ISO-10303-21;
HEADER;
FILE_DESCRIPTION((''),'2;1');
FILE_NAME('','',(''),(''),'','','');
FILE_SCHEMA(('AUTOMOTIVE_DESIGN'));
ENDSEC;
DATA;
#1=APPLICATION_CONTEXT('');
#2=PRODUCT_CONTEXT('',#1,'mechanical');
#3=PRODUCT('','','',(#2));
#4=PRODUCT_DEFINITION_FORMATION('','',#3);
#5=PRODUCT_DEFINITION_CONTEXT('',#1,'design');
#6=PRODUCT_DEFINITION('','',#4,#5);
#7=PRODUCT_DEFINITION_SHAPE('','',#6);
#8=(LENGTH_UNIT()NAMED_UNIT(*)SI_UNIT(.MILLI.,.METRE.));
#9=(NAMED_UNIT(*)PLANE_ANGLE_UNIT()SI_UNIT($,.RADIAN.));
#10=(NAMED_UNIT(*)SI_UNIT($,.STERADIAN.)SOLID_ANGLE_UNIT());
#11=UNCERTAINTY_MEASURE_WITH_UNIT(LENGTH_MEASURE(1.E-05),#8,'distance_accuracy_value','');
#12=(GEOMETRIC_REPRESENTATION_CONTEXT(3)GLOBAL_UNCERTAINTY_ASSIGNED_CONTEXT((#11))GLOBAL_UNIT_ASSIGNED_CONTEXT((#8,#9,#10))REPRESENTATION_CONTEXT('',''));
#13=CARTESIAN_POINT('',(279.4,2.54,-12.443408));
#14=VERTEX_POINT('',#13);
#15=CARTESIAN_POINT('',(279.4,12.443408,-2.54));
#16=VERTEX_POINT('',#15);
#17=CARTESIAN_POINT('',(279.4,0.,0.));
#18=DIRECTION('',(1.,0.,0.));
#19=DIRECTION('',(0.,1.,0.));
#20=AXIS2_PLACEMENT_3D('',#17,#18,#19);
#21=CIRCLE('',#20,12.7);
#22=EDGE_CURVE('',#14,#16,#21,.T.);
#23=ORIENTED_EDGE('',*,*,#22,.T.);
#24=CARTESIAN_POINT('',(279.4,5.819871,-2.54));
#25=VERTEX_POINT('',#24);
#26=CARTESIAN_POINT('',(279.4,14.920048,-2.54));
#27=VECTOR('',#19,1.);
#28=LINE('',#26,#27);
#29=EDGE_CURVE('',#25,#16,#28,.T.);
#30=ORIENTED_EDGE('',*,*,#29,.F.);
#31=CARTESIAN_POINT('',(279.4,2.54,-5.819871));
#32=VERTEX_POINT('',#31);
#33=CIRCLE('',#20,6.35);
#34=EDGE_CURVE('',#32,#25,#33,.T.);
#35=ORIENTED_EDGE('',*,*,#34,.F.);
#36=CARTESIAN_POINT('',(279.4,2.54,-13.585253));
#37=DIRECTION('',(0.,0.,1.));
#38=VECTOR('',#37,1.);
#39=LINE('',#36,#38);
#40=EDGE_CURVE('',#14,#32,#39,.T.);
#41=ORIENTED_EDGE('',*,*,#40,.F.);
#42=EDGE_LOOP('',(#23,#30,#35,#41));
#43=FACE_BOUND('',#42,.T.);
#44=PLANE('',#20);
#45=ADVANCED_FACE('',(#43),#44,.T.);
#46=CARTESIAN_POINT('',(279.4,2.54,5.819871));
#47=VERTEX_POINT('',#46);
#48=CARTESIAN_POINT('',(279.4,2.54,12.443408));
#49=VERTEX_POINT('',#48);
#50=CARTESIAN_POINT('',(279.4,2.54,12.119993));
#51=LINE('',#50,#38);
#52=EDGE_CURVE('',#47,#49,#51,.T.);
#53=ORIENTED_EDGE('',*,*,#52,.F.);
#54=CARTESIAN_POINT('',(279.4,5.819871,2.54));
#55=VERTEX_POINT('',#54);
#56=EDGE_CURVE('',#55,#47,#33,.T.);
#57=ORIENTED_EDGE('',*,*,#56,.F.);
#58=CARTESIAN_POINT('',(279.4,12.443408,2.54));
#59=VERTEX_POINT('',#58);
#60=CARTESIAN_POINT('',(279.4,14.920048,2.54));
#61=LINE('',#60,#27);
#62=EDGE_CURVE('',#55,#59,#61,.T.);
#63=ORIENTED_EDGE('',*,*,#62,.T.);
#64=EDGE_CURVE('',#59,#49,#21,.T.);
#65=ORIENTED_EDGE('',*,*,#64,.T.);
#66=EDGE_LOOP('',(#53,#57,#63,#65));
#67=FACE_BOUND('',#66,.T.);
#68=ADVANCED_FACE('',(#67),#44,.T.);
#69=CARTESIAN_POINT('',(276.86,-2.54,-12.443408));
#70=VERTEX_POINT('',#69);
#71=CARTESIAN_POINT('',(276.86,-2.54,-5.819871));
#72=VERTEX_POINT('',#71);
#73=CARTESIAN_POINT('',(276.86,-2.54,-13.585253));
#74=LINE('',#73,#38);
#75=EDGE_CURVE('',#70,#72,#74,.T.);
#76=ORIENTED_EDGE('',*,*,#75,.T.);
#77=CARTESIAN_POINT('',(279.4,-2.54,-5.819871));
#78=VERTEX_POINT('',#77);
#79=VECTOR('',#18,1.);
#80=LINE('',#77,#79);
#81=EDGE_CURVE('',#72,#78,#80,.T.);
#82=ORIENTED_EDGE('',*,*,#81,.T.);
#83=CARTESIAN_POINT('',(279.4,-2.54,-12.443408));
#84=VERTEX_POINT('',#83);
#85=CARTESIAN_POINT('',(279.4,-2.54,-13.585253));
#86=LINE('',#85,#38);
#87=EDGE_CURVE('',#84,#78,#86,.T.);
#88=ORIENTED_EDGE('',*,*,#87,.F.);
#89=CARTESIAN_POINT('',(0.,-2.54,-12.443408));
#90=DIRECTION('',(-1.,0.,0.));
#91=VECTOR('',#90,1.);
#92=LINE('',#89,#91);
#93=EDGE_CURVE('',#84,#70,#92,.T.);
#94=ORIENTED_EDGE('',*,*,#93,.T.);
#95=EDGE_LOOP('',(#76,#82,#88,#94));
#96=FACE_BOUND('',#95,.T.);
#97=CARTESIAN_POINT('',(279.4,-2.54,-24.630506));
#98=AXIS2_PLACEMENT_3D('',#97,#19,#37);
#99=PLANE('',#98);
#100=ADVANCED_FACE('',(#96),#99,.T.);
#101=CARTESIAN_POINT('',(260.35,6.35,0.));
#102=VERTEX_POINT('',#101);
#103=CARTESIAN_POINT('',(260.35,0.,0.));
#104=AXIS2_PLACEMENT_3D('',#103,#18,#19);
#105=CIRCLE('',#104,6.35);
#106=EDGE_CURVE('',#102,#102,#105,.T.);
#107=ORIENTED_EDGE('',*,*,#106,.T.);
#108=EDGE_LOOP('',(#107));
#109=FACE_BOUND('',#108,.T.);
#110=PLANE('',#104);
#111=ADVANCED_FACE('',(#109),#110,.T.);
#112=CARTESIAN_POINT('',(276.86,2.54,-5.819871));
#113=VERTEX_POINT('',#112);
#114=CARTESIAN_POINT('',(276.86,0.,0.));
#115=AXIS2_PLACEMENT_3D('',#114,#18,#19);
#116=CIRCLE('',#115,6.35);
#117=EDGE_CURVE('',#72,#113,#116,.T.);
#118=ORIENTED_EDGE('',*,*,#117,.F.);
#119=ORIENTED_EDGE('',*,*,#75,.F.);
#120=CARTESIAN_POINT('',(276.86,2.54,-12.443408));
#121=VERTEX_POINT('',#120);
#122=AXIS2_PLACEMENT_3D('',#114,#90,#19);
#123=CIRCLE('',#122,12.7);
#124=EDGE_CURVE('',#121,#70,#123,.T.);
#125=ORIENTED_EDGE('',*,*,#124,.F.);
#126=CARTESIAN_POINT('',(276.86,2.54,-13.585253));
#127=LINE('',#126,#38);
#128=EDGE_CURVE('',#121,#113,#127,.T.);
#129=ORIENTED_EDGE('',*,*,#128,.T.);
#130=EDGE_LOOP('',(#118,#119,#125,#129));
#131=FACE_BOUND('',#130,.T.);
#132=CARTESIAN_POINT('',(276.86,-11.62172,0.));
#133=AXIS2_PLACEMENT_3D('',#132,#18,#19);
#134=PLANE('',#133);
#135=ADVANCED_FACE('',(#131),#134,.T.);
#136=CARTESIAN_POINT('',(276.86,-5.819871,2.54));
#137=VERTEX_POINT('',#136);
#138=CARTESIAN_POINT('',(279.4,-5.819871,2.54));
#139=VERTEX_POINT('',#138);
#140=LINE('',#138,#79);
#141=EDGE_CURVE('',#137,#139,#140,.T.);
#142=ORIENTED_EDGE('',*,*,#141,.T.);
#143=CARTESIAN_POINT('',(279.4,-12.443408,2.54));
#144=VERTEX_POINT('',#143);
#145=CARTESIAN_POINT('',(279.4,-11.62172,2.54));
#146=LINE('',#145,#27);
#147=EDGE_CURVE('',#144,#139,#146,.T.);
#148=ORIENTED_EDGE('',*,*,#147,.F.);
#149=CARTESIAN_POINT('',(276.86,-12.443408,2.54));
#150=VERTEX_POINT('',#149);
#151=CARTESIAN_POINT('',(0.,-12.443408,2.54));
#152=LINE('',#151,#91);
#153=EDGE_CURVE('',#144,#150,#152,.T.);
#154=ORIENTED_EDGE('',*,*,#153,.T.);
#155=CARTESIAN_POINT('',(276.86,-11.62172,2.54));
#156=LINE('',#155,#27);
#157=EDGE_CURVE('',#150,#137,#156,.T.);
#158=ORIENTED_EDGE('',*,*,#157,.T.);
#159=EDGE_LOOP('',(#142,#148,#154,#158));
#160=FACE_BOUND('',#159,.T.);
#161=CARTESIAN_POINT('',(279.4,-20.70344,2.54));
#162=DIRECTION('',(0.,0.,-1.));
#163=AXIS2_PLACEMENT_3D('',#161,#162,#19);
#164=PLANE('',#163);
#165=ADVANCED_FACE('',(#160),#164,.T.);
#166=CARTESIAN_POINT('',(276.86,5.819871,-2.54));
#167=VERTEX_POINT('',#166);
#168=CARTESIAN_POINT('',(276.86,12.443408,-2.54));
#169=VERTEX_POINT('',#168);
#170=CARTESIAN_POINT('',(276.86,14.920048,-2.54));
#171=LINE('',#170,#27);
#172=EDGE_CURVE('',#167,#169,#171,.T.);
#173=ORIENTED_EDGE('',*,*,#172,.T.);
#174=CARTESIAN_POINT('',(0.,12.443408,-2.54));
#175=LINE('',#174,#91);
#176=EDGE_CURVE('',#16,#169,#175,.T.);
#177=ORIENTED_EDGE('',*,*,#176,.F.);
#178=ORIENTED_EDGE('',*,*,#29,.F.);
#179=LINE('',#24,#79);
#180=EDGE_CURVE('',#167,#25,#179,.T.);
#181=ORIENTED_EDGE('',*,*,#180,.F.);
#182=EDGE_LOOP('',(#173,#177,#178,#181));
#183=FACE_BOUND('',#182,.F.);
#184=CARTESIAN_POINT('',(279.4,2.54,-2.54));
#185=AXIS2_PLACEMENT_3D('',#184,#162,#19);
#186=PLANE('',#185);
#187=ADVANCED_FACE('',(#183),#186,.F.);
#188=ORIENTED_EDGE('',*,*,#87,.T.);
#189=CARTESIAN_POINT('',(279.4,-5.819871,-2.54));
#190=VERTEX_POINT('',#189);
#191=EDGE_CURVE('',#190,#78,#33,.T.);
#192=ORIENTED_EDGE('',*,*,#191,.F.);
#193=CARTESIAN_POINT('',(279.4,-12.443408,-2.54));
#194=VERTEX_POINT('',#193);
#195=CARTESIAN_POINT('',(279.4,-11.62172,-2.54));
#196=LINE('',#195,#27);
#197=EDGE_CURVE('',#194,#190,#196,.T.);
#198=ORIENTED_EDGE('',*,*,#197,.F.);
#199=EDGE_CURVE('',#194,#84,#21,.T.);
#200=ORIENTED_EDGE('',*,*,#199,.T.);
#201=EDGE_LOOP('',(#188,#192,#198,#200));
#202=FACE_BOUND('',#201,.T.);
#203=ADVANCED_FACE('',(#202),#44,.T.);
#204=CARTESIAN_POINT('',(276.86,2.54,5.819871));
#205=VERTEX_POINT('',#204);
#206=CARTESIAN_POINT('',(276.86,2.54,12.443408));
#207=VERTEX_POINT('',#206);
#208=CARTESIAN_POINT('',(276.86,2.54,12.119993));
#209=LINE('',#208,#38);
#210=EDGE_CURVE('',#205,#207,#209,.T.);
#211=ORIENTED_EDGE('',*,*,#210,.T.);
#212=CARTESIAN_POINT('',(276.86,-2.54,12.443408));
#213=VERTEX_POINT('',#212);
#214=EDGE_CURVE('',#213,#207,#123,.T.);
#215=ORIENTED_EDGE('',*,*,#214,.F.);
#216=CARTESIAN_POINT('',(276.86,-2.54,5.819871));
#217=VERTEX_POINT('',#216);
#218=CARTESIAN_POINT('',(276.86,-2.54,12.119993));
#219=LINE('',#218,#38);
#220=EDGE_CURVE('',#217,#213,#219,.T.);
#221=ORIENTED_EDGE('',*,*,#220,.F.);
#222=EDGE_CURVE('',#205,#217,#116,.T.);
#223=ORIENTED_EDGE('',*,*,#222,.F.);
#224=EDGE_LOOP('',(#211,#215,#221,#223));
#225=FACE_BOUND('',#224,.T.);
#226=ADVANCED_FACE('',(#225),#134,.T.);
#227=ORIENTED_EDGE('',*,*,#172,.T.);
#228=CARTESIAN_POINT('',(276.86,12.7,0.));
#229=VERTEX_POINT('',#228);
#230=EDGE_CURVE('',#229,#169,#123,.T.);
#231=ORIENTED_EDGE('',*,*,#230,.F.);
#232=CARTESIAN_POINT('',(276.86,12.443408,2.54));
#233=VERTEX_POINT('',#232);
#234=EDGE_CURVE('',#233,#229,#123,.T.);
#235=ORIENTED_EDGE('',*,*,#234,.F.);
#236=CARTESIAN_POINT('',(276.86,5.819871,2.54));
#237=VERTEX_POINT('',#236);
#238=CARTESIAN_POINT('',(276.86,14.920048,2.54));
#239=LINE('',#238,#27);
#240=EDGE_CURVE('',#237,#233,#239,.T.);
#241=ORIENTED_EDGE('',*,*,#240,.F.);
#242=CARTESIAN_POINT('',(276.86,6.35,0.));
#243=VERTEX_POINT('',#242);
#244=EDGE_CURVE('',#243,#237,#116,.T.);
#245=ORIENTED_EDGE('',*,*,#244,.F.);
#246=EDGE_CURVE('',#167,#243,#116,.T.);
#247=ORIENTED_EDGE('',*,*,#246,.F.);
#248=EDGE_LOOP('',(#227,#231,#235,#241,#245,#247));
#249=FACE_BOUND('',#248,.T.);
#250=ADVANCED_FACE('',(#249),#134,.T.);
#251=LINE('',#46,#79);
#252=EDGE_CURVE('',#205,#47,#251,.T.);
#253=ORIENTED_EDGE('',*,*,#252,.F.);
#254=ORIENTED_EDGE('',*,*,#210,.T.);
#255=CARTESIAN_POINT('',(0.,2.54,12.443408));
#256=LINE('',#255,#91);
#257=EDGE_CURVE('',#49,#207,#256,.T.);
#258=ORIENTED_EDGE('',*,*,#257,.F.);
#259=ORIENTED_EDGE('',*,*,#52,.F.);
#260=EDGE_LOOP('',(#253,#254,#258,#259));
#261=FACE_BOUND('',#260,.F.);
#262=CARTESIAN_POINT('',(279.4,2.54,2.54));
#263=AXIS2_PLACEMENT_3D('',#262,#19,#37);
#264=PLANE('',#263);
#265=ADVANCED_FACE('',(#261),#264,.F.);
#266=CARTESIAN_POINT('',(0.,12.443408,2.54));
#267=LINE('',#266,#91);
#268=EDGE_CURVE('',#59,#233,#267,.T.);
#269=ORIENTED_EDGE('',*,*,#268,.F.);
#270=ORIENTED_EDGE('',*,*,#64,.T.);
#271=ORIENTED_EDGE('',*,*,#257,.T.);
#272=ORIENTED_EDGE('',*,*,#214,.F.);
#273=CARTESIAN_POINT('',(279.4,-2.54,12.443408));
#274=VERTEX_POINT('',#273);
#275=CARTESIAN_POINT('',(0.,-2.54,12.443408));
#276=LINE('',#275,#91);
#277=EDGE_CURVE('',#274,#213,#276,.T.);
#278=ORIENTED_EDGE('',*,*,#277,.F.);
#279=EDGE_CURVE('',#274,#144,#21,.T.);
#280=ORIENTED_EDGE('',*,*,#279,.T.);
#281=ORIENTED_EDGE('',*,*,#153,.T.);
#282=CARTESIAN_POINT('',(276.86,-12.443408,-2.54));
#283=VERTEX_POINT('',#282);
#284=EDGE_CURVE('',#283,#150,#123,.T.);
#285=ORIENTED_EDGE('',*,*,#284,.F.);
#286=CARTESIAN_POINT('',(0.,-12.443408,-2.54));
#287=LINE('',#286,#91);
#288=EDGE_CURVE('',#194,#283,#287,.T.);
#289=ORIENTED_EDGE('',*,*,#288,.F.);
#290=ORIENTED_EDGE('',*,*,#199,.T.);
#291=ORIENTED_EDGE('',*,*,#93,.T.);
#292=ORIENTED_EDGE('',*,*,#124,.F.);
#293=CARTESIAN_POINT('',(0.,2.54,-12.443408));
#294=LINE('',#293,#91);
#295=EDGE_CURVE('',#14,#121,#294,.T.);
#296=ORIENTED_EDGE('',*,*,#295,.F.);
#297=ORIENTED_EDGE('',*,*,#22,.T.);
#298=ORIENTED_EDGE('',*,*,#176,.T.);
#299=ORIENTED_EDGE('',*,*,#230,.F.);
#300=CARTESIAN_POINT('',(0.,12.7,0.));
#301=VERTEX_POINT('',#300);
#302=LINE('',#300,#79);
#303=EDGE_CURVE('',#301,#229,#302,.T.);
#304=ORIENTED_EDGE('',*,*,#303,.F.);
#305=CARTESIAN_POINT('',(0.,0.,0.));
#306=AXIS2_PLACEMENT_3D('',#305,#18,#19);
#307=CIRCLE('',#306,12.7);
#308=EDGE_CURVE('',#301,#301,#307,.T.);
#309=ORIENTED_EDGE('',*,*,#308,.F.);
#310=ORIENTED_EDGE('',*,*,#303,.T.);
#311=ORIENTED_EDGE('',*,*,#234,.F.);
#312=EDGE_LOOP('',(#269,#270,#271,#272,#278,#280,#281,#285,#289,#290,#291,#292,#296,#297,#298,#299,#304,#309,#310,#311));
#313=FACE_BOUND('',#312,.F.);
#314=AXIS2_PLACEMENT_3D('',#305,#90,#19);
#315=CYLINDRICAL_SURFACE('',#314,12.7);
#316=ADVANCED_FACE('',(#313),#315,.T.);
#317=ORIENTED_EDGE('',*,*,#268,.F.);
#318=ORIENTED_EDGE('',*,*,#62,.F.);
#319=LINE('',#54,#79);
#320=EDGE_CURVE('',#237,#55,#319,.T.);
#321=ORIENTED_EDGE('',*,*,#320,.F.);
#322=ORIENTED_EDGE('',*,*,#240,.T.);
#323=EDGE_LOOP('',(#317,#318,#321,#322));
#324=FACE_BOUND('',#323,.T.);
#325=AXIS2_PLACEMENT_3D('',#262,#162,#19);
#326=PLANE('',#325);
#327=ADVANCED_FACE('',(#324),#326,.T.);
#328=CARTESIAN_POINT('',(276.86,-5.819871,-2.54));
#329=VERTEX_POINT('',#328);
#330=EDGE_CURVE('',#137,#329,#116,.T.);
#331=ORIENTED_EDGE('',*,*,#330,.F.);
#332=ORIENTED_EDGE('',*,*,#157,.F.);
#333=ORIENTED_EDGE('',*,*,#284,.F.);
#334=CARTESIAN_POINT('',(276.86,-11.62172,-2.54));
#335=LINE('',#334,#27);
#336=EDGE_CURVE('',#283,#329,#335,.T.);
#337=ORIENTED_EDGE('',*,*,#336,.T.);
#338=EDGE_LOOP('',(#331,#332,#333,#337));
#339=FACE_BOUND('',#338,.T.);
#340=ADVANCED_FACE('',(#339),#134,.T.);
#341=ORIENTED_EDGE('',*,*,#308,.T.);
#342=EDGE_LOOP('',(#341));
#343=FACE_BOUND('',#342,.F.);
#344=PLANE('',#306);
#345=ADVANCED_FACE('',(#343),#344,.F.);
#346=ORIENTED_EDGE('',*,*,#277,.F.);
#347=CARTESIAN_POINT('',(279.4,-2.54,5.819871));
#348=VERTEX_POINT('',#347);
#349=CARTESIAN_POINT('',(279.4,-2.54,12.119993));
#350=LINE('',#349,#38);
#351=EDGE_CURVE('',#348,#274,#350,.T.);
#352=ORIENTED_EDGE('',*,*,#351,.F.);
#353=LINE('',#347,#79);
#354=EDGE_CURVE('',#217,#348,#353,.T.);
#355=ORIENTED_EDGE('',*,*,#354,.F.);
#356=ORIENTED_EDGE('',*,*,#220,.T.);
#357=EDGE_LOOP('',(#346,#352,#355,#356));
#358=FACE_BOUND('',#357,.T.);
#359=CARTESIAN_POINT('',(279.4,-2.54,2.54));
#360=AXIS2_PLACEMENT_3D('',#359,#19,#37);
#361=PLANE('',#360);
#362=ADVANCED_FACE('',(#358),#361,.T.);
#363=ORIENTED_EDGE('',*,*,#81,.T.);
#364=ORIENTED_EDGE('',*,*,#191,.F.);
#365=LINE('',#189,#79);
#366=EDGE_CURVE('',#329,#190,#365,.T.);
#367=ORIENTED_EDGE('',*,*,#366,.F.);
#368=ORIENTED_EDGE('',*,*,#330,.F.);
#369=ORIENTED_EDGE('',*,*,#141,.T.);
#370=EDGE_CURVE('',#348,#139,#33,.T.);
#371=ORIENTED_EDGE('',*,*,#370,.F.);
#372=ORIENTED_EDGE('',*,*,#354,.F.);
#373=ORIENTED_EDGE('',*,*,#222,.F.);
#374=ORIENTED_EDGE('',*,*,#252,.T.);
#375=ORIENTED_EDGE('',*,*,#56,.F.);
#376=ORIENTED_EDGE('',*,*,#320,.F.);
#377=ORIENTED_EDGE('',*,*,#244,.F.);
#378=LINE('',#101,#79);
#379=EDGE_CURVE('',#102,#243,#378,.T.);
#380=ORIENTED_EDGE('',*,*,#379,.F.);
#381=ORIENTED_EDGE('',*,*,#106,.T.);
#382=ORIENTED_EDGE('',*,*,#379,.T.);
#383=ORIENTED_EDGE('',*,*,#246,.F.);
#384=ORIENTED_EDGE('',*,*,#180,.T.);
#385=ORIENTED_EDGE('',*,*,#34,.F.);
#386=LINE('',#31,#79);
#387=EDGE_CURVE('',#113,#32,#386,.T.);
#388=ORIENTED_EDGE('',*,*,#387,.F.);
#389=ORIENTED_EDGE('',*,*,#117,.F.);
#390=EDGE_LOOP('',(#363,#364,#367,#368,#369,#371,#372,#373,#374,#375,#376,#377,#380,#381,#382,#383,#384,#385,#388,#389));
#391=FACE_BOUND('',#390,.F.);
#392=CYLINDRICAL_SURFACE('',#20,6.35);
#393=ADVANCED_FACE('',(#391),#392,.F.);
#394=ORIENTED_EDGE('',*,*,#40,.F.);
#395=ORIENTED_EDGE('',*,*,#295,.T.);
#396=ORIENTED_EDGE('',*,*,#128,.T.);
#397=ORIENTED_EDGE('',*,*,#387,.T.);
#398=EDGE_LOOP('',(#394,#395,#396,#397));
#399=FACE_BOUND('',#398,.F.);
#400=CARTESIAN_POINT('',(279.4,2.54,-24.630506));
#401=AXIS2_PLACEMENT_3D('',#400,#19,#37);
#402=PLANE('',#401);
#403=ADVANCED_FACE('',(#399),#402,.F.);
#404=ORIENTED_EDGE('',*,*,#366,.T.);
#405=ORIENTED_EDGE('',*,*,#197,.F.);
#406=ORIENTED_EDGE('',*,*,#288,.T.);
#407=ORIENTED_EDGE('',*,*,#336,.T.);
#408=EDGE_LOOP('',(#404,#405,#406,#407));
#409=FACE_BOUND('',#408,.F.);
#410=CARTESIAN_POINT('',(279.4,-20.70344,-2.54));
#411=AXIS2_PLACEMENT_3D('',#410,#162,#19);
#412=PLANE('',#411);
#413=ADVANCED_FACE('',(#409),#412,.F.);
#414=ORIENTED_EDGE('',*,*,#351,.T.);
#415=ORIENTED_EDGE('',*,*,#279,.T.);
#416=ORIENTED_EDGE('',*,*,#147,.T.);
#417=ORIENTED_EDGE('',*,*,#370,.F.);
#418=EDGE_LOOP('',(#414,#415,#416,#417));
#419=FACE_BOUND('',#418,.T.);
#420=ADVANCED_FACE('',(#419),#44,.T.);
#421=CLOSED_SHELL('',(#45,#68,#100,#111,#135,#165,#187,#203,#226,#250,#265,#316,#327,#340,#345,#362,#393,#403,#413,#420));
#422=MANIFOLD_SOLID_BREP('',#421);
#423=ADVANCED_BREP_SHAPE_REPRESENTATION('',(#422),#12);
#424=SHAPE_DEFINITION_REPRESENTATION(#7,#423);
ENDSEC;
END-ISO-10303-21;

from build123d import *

# Parameters (mm, degrees)
F0_R     = 12.7
F1_DEPTH = 279.4
F2_R     = 6.35
F3_DEPTH = 2.54
F4_DEPTH = 19.05
F5_W     = 18.163441
F5_H     = 5.08
F5_W_2   = 5.08
F5_H_2   = 19.159987
F5_W_3   = 24.760097
F5_H_3   = 22.090506
F6_DEPTH = 2.54


with BuildPart() as f1:
    # F0 (on Right) → F1 (new body)
    with BuildSketch(Plane.YZ):
        Circle(F0_R)
    extrude(amount=F1_DEPTH)

    # F2 (on face) → F3 (cut)
    with BuildSketch(Plane.YZ.offset(279.4)):
        Circle(F2_R)
    extrude(amount=-F3_DEPTH, mode=Mode.SUBTRACT)

    # F2 (on face) → F4 (cut)
    with BuildSketch(Plane.YZ.offset(279.4)):
        Circle(F2_R)
    extrude(amount=-F4_DEPTH, mode=Mode.SUBTRACT)

    # F5 (on face) → F6 (cut)
    with BuildSketch(Plane.YZ.offset(279.4)):
        with Locations((-11.62172, 0)):
            Rectangle(F5_W, F5_H)
        with Locations((0, 12.119993)):
            Rectangle(F5_W_2, F5_H_2)
        with Locations((14.920048, 0)):
            Rectangle(F5_W_3, F5_H)
        with Locations((0, -13.585253)):
            Rectangle(F5_W_2, F5_H_3)
    extrude(amount=-F6_DEPTH, mode=Mode.SUBTRACT)


solid = f1.part
